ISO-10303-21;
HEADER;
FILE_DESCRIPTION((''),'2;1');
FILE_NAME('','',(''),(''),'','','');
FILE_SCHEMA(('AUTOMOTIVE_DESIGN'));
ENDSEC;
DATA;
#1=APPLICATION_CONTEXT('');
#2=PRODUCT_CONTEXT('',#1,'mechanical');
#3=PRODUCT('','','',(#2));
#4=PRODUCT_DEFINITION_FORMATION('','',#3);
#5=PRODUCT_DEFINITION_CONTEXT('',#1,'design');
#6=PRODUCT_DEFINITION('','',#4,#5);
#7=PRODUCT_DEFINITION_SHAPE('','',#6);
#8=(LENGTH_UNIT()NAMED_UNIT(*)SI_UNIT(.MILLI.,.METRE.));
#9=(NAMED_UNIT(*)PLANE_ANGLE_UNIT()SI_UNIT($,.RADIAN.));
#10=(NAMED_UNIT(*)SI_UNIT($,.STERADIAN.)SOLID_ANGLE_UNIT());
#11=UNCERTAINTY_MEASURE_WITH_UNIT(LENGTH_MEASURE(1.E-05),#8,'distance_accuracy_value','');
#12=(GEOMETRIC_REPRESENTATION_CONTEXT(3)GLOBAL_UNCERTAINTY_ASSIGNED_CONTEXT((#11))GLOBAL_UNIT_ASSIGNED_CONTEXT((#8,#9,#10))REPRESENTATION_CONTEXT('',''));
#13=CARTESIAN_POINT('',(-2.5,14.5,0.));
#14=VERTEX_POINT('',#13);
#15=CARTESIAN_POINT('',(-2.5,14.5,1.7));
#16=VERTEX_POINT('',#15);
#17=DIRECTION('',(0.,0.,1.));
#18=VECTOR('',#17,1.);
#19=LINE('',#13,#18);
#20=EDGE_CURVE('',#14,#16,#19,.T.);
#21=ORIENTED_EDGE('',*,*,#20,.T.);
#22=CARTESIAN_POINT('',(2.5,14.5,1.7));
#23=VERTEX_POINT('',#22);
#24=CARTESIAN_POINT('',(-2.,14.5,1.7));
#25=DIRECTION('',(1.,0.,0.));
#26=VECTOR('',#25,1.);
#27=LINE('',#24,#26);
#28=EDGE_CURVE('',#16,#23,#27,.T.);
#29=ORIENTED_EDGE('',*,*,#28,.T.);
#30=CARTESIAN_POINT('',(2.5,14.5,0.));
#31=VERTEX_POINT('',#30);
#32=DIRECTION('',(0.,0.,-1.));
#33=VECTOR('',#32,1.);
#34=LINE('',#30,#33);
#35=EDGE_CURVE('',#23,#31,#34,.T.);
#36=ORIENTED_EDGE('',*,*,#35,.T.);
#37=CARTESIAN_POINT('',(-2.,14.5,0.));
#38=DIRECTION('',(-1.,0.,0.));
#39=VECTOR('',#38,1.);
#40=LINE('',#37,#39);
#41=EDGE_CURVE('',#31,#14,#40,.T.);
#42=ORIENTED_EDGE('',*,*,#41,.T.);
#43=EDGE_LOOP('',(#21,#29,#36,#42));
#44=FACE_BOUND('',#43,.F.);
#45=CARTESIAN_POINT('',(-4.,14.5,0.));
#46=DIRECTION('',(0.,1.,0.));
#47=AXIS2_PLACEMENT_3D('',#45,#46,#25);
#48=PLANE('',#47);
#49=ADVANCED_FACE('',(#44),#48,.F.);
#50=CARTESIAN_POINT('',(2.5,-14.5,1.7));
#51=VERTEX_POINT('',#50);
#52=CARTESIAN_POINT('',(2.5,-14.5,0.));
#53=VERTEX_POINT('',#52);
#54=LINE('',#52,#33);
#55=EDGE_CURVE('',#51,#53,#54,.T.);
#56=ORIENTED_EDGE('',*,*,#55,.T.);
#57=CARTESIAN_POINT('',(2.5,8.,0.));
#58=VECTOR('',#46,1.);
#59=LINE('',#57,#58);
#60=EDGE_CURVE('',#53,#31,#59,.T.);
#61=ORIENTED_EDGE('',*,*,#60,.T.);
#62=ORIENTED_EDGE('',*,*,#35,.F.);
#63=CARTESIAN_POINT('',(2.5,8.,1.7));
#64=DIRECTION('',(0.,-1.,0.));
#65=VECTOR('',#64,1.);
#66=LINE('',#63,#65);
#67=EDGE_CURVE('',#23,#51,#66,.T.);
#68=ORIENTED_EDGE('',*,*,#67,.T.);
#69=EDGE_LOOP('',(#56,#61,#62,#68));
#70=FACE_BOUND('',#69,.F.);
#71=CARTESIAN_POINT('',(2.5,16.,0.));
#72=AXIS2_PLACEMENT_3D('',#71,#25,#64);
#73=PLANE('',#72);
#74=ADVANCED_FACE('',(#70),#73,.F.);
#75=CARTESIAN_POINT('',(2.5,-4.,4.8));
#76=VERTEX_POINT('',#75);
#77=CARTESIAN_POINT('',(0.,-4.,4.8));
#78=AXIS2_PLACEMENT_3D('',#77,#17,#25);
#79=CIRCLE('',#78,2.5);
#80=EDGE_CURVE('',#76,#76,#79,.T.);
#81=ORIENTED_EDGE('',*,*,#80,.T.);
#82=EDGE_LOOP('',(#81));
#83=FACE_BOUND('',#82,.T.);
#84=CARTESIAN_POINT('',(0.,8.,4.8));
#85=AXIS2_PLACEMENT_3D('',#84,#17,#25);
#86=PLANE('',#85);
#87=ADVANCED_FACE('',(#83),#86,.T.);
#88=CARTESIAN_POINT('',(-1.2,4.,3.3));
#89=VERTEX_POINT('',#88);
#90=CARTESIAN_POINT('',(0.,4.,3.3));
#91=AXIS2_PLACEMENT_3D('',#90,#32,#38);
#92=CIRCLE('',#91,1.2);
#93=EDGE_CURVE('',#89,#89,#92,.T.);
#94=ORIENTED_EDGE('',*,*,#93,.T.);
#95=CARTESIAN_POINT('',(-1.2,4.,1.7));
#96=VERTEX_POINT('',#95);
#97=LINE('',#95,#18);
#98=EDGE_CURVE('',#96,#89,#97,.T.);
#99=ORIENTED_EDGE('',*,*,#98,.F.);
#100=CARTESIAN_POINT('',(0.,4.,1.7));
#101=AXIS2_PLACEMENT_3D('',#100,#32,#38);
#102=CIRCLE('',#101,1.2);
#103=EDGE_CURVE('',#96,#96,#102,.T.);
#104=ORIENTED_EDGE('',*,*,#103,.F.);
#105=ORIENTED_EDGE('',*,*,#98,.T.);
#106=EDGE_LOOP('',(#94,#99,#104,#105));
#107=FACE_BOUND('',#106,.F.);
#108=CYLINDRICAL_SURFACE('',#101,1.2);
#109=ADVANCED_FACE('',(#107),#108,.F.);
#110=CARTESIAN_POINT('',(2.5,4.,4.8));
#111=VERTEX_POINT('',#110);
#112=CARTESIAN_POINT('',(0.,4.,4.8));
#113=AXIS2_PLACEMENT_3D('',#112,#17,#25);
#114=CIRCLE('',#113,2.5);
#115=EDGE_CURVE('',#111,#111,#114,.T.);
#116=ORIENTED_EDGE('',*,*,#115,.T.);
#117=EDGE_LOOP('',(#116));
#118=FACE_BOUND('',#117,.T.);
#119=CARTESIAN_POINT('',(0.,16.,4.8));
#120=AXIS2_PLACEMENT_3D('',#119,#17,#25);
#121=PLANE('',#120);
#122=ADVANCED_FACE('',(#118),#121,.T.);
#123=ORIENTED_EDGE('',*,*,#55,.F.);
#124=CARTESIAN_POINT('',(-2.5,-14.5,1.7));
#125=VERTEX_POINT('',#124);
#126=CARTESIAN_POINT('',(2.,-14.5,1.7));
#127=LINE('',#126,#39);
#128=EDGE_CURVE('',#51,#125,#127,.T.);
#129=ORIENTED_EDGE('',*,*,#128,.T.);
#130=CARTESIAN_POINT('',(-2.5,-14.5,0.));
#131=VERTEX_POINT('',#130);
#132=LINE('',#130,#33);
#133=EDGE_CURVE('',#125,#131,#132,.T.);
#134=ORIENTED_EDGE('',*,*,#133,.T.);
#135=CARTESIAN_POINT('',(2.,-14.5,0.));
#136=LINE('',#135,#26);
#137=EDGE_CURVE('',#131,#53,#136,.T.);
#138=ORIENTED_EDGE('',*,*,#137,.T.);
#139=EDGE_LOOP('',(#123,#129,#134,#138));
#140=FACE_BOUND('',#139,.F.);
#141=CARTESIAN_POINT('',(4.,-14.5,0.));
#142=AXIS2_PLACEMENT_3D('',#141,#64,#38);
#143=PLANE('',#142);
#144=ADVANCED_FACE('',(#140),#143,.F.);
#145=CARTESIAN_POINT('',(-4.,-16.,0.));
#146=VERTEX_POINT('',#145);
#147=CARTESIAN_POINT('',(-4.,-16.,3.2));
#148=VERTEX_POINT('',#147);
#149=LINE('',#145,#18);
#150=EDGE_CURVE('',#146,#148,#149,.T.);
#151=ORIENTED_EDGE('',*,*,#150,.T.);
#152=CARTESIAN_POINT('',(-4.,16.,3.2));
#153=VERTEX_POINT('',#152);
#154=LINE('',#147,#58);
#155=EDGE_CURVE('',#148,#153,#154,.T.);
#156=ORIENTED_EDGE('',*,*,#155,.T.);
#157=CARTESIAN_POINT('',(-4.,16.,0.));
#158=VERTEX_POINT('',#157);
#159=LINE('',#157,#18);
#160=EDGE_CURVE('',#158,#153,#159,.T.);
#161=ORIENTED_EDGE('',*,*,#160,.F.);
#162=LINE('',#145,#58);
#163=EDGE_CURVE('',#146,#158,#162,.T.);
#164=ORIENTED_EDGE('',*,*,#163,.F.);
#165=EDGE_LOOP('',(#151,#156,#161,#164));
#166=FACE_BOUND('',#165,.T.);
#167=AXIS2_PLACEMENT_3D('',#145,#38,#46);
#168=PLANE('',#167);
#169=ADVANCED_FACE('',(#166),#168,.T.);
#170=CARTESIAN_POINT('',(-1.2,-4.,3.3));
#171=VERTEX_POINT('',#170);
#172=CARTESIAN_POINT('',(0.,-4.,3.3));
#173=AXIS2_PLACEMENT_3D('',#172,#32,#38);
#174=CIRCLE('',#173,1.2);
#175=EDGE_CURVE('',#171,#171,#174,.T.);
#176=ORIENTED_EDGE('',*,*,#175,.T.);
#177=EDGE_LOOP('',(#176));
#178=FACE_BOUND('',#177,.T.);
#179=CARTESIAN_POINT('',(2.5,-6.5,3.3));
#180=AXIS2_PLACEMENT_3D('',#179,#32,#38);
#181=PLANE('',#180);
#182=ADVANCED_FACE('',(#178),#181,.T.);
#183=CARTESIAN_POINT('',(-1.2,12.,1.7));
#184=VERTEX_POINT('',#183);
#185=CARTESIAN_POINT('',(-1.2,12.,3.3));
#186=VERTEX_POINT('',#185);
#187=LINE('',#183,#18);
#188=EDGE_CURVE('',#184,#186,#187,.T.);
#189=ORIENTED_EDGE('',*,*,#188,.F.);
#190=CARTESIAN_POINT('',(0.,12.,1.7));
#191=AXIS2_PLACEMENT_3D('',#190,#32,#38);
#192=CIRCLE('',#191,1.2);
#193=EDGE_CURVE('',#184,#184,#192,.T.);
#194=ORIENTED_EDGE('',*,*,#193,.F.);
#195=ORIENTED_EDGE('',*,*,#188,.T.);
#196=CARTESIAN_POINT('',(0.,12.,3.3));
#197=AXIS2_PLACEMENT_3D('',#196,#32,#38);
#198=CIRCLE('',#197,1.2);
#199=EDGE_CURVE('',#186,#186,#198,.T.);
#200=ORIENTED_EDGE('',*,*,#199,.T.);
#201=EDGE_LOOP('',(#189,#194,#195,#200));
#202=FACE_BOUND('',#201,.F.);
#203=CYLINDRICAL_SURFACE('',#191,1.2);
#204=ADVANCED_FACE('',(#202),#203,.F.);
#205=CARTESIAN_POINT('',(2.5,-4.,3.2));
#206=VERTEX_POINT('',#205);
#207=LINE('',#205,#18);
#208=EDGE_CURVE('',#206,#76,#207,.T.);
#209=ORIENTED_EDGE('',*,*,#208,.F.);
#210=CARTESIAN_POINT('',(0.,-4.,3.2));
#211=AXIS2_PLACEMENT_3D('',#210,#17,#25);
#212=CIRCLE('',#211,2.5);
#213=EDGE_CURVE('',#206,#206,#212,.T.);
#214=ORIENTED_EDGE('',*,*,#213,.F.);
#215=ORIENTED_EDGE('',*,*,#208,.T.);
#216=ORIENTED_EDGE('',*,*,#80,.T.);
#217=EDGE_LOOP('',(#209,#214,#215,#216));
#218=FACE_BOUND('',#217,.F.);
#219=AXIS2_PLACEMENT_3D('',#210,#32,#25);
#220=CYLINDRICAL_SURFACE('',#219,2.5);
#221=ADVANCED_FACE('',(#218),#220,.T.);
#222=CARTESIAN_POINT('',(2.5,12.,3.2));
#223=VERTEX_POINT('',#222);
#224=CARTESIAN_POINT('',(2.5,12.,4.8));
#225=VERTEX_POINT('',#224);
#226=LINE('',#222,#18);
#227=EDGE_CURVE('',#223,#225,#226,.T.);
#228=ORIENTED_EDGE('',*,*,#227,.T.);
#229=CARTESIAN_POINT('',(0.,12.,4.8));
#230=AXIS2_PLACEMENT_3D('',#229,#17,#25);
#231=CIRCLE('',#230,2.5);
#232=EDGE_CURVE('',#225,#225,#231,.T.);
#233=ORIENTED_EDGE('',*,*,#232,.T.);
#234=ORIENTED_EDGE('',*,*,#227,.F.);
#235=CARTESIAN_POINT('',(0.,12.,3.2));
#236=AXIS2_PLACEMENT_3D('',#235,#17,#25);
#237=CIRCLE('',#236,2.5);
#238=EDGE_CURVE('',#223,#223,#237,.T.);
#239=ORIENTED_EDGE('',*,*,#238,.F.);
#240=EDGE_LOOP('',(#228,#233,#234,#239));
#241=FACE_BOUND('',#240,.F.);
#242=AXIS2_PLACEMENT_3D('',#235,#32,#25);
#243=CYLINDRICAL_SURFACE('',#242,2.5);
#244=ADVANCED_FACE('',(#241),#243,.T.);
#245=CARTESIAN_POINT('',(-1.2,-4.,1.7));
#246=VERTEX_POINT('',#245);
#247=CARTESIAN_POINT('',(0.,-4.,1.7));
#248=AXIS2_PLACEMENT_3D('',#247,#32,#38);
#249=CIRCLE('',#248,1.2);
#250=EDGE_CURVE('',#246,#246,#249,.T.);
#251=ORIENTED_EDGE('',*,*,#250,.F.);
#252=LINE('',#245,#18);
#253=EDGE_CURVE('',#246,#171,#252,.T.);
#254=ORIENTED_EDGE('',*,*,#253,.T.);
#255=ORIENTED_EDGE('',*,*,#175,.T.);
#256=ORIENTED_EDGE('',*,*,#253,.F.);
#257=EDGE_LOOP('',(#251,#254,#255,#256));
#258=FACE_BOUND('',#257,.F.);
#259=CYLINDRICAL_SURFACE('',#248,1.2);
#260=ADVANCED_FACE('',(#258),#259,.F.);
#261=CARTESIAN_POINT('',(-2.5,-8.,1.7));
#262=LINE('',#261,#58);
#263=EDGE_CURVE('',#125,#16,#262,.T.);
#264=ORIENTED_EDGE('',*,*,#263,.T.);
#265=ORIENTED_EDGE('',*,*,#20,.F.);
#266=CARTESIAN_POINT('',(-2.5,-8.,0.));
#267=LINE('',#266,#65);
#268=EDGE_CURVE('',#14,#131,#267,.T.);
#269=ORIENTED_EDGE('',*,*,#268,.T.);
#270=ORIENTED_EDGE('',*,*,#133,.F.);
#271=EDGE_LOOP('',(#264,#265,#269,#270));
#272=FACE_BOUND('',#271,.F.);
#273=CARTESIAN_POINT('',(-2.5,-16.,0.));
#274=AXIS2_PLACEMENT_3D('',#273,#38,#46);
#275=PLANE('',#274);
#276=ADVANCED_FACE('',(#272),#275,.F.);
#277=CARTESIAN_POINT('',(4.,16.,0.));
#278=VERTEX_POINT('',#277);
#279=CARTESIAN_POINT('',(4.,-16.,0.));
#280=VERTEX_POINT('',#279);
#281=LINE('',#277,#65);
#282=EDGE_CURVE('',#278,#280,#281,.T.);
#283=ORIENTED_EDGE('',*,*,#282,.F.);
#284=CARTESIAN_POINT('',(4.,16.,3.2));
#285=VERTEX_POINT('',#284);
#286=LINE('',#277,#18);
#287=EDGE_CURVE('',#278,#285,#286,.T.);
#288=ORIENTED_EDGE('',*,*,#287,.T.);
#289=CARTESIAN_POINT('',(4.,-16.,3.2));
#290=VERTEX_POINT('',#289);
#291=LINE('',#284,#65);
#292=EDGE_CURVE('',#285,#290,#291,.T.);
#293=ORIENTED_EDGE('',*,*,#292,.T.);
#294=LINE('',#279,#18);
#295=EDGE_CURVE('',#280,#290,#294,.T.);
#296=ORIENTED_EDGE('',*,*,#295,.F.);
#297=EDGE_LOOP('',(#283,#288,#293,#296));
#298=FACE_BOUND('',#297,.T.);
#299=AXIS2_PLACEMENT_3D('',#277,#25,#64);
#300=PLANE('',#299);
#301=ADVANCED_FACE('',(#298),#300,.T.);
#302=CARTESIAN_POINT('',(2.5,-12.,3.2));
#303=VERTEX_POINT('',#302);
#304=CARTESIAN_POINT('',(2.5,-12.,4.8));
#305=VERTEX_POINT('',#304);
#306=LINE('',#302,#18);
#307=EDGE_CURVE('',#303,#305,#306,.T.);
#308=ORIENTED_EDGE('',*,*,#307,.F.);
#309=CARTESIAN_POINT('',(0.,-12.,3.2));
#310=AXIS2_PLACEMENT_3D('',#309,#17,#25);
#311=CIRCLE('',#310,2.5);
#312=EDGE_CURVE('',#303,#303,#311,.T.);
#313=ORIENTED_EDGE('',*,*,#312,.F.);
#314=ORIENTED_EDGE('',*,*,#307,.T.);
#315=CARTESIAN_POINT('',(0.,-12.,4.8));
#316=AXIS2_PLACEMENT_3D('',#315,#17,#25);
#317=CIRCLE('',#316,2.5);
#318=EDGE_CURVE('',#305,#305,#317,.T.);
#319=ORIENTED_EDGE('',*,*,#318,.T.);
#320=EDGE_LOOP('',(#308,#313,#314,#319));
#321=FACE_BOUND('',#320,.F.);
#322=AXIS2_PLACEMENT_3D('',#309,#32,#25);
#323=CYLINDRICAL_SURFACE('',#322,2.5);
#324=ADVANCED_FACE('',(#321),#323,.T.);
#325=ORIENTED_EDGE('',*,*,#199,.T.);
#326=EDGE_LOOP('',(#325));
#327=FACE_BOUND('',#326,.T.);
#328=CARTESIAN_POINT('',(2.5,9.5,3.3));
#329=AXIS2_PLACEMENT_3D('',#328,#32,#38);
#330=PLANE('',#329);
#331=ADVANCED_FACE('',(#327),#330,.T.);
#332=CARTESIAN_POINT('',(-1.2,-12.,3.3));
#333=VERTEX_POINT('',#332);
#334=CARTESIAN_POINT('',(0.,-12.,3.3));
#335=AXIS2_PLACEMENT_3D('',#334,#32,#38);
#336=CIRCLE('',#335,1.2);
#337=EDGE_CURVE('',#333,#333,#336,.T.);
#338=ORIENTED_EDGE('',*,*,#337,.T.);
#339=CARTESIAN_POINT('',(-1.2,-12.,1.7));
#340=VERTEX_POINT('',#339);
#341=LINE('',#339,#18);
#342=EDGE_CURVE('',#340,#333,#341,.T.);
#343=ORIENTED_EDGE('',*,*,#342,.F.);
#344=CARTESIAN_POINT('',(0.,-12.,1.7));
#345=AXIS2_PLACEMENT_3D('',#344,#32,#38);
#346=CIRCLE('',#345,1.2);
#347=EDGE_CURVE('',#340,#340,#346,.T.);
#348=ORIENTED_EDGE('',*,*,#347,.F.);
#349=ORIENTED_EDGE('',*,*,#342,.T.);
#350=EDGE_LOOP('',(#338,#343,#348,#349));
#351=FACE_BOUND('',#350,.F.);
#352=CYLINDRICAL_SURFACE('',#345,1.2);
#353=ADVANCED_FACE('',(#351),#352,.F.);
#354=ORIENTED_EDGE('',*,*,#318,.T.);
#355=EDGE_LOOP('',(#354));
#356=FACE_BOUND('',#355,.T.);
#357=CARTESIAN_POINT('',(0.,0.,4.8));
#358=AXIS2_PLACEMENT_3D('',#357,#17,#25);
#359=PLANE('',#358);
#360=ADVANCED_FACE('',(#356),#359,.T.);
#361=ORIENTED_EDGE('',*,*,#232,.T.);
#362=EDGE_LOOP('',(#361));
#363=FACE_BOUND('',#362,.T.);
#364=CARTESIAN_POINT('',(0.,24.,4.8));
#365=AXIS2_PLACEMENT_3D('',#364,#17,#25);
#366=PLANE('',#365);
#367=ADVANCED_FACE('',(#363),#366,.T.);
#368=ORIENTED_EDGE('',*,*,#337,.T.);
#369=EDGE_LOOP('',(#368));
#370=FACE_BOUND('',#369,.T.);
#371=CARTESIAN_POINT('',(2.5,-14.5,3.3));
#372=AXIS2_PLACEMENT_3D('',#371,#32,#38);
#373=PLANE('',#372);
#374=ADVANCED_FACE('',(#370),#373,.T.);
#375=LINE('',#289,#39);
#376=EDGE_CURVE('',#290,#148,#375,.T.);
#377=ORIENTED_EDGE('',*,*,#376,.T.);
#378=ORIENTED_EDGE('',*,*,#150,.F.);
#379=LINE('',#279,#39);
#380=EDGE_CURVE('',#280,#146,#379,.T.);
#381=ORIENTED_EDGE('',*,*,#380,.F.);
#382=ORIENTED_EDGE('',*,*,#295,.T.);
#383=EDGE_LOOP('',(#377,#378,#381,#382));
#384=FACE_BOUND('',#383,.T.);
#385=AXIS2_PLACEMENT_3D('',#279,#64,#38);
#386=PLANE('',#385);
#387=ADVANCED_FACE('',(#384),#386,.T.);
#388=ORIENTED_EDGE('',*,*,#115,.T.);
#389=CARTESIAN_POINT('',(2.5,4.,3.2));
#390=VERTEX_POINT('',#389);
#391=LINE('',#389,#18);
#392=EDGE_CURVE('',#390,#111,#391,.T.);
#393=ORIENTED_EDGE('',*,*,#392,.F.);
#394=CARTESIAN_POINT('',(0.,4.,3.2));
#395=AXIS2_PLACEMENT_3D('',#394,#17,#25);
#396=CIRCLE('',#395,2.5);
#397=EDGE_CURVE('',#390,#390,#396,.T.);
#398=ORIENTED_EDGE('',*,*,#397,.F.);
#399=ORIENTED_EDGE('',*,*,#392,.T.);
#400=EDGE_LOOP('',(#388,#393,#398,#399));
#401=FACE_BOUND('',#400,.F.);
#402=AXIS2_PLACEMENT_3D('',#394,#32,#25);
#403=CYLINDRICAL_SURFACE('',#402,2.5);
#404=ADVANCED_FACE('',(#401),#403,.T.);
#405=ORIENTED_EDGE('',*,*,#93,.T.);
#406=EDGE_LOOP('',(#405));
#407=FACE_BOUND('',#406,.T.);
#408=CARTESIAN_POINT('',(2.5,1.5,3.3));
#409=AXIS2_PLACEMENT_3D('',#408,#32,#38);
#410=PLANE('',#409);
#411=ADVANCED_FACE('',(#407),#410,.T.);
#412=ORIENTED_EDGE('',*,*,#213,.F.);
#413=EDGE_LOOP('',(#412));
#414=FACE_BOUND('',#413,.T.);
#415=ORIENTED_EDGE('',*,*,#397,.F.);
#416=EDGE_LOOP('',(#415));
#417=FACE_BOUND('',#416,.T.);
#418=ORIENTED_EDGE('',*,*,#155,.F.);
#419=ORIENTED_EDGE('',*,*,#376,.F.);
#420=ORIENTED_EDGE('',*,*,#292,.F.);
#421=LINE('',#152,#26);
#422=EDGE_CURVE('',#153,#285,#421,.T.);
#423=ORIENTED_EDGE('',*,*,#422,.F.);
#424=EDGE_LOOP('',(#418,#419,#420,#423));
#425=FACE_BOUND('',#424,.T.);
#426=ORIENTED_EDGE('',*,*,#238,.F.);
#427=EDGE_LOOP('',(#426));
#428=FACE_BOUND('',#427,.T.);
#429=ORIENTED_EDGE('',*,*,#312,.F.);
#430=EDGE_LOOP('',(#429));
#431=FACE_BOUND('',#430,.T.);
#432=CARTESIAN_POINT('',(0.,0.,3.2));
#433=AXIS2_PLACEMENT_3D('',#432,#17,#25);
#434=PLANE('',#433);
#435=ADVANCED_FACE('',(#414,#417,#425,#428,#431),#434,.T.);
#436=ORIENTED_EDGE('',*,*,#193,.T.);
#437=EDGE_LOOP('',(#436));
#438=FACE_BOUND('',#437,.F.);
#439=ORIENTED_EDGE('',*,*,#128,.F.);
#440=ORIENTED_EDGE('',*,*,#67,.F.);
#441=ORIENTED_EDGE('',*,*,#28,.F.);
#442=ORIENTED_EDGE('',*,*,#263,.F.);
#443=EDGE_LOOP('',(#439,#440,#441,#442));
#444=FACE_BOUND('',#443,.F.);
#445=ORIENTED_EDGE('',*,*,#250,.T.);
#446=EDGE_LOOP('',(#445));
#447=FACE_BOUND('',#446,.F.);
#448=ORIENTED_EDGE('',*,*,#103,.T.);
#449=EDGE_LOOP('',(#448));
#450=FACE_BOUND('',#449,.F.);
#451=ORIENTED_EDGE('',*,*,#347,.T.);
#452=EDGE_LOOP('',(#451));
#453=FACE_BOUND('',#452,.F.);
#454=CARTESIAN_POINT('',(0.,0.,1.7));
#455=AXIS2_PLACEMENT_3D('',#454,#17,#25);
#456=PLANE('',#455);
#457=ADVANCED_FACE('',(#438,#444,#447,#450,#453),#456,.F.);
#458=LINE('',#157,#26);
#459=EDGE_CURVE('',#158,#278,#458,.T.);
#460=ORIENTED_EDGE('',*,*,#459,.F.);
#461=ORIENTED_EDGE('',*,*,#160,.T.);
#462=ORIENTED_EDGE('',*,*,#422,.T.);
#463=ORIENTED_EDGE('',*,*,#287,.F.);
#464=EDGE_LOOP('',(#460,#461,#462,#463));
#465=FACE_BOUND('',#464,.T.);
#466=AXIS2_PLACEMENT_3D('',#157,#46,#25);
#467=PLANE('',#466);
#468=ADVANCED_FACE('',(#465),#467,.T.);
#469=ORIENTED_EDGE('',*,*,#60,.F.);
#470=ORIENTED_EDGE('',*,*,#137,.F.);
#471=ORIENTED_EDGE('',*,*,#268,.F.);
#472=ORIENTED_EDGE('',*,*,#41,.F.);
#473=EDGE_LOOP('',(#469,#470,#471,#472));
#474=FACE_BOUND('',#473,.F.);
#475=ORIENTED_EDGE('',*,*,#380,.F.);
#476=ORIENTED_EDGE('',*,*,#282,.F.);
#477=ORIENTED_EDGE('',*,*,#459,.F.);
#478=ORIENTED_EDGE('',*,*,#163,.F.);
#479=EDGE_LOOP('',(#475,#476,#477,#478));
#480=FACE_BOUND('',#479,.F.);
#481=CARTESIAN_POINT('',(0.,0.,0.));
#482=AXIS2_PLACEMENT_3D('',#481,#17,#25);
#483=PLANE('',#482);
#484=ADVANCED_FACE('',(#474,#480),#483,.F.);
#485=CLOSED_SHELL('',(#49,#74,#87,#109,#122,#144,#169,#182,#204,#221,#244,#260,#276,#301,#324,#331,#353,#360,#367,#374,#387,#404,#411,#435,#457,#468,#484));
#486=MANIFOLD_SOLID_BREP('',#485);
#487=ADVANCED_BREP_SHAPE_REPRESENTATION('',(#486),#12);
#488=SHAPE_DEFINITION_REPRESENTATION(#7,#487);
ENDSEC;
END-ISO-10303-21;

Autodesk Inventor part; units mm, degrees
ref_plane "YZ Plane" through (0, 0, 0) normal (1, 0, 0) x (0, 1, 0)
ref_plane "XZ Plane" through (0, 0, 0) normal (0, 1, 0) x (-1, 0, 0)
ref_plane "XY Plane" through (0, 0, 0) normal (0, 0, 1) x (1, 0, 0)
sketch "Sketch1" plane through (0, 0, 0) normal (0, 0, 1) x (1, 0, 0)
  line L0 (-4, 16) -> (4, 16)
  line L1 (4, 16) -> (4, -16)
  line L2 (4, -16) -> (-4, -16)
  line L3 (-4, -16) -> (-4, 16)
  point P0 (0, 0)
  dimension "d0" = 8
  dimension "d1" = 32
  dimension "d2" = 4
  dimension "d3" = 16
extrude "Extrusion1" add sketch "Sketch1" along normal blind 3.2
shell "Shell1" thickness 1.5 removed faces 1 at (-1.3333, 5.3333, 0)
sketch "Sketch2" plane through (0, 0, 3.2) normal (0, 0, 1) x (1, 0, 0)
  circle A0 centre (0, -12) radius 2.5
  line L0 (4, 16) -> (4, -16) projected
  line L1 (4, -16) -> (-4, -16) projected
  dimension "d7" = 5
  dimension "d10" = 4
  dimension "d11" = 4
extrude "Extrusion2" add sketch "Sketch2" along normal blind 1.6
sketch "Sketch3" plane through (2.5, -14.5, 1.7) normal (0, 0, -1) x (-1, 0, 0)
  circle A0 centre (2.5, 2.5) radius 2.5 projected
  circle A1 centre (2.5, 2.5) radius 1.2
  point P0 (2.5, 14.5)
  dimension "d18" = 2.4
extrude "Extrusion3" cut sketch "Sketch3" against normal blind 1.6 contours A1
pattern_linear "Rectangular Pattern1" count 4 spacing 8 along (0, 1, 0) of "Extrusion2", "Extrusion3"
sketch "Sketch4" plane through (2.5, -14.5, 1.7) normal (0, 0, -1) x (-1, 0, 0)
  circle A0 centre (2.5, 10.5) radius 1.2 projected
  circle A1 centre (2.5, 2.5) radius 1.2 projected
  line L0 (0, 29) -> (0, 0) projected
  line L1 (0, 0) -> (5, 0) projected
  circle A2 centre (6.5, 6.5) radius 3.15
  circle A3 centre (6.5, 6.5) radius 2.5
  point P0 (2.5, 14.5)
  dimension "d21" = 6.5
  dimension "d22" = 6.5
  dimension "d23" = 10.5
  dimension "d24" = 2.5
  dimension "d25" = 5
  dimension "d26" = 6.3
extrude "Extrusion4" [suppressed]
pattern_linear "Rectangular Pattern2" [suppressed]
equation "\"d0\" = 8 * WIDTH"
equation "\"d1\" = 8 * LENGTH"
equation "\"d2\" = 0.5 * d0"
equation "\"d3\" = 0.5 * d1"
equation "\"d4\" = HEIGHT"
equation "\"d21\" = 0.5 * d23 + 0.5 * d24"
equation "\"d22\" = d21"
equation "\"WIDTH\" = 1"
equation "\"HEIGHT\" = 3.2"
equation "\"LENGTH\" = 4"
properties part number "3710" material "Steel"
